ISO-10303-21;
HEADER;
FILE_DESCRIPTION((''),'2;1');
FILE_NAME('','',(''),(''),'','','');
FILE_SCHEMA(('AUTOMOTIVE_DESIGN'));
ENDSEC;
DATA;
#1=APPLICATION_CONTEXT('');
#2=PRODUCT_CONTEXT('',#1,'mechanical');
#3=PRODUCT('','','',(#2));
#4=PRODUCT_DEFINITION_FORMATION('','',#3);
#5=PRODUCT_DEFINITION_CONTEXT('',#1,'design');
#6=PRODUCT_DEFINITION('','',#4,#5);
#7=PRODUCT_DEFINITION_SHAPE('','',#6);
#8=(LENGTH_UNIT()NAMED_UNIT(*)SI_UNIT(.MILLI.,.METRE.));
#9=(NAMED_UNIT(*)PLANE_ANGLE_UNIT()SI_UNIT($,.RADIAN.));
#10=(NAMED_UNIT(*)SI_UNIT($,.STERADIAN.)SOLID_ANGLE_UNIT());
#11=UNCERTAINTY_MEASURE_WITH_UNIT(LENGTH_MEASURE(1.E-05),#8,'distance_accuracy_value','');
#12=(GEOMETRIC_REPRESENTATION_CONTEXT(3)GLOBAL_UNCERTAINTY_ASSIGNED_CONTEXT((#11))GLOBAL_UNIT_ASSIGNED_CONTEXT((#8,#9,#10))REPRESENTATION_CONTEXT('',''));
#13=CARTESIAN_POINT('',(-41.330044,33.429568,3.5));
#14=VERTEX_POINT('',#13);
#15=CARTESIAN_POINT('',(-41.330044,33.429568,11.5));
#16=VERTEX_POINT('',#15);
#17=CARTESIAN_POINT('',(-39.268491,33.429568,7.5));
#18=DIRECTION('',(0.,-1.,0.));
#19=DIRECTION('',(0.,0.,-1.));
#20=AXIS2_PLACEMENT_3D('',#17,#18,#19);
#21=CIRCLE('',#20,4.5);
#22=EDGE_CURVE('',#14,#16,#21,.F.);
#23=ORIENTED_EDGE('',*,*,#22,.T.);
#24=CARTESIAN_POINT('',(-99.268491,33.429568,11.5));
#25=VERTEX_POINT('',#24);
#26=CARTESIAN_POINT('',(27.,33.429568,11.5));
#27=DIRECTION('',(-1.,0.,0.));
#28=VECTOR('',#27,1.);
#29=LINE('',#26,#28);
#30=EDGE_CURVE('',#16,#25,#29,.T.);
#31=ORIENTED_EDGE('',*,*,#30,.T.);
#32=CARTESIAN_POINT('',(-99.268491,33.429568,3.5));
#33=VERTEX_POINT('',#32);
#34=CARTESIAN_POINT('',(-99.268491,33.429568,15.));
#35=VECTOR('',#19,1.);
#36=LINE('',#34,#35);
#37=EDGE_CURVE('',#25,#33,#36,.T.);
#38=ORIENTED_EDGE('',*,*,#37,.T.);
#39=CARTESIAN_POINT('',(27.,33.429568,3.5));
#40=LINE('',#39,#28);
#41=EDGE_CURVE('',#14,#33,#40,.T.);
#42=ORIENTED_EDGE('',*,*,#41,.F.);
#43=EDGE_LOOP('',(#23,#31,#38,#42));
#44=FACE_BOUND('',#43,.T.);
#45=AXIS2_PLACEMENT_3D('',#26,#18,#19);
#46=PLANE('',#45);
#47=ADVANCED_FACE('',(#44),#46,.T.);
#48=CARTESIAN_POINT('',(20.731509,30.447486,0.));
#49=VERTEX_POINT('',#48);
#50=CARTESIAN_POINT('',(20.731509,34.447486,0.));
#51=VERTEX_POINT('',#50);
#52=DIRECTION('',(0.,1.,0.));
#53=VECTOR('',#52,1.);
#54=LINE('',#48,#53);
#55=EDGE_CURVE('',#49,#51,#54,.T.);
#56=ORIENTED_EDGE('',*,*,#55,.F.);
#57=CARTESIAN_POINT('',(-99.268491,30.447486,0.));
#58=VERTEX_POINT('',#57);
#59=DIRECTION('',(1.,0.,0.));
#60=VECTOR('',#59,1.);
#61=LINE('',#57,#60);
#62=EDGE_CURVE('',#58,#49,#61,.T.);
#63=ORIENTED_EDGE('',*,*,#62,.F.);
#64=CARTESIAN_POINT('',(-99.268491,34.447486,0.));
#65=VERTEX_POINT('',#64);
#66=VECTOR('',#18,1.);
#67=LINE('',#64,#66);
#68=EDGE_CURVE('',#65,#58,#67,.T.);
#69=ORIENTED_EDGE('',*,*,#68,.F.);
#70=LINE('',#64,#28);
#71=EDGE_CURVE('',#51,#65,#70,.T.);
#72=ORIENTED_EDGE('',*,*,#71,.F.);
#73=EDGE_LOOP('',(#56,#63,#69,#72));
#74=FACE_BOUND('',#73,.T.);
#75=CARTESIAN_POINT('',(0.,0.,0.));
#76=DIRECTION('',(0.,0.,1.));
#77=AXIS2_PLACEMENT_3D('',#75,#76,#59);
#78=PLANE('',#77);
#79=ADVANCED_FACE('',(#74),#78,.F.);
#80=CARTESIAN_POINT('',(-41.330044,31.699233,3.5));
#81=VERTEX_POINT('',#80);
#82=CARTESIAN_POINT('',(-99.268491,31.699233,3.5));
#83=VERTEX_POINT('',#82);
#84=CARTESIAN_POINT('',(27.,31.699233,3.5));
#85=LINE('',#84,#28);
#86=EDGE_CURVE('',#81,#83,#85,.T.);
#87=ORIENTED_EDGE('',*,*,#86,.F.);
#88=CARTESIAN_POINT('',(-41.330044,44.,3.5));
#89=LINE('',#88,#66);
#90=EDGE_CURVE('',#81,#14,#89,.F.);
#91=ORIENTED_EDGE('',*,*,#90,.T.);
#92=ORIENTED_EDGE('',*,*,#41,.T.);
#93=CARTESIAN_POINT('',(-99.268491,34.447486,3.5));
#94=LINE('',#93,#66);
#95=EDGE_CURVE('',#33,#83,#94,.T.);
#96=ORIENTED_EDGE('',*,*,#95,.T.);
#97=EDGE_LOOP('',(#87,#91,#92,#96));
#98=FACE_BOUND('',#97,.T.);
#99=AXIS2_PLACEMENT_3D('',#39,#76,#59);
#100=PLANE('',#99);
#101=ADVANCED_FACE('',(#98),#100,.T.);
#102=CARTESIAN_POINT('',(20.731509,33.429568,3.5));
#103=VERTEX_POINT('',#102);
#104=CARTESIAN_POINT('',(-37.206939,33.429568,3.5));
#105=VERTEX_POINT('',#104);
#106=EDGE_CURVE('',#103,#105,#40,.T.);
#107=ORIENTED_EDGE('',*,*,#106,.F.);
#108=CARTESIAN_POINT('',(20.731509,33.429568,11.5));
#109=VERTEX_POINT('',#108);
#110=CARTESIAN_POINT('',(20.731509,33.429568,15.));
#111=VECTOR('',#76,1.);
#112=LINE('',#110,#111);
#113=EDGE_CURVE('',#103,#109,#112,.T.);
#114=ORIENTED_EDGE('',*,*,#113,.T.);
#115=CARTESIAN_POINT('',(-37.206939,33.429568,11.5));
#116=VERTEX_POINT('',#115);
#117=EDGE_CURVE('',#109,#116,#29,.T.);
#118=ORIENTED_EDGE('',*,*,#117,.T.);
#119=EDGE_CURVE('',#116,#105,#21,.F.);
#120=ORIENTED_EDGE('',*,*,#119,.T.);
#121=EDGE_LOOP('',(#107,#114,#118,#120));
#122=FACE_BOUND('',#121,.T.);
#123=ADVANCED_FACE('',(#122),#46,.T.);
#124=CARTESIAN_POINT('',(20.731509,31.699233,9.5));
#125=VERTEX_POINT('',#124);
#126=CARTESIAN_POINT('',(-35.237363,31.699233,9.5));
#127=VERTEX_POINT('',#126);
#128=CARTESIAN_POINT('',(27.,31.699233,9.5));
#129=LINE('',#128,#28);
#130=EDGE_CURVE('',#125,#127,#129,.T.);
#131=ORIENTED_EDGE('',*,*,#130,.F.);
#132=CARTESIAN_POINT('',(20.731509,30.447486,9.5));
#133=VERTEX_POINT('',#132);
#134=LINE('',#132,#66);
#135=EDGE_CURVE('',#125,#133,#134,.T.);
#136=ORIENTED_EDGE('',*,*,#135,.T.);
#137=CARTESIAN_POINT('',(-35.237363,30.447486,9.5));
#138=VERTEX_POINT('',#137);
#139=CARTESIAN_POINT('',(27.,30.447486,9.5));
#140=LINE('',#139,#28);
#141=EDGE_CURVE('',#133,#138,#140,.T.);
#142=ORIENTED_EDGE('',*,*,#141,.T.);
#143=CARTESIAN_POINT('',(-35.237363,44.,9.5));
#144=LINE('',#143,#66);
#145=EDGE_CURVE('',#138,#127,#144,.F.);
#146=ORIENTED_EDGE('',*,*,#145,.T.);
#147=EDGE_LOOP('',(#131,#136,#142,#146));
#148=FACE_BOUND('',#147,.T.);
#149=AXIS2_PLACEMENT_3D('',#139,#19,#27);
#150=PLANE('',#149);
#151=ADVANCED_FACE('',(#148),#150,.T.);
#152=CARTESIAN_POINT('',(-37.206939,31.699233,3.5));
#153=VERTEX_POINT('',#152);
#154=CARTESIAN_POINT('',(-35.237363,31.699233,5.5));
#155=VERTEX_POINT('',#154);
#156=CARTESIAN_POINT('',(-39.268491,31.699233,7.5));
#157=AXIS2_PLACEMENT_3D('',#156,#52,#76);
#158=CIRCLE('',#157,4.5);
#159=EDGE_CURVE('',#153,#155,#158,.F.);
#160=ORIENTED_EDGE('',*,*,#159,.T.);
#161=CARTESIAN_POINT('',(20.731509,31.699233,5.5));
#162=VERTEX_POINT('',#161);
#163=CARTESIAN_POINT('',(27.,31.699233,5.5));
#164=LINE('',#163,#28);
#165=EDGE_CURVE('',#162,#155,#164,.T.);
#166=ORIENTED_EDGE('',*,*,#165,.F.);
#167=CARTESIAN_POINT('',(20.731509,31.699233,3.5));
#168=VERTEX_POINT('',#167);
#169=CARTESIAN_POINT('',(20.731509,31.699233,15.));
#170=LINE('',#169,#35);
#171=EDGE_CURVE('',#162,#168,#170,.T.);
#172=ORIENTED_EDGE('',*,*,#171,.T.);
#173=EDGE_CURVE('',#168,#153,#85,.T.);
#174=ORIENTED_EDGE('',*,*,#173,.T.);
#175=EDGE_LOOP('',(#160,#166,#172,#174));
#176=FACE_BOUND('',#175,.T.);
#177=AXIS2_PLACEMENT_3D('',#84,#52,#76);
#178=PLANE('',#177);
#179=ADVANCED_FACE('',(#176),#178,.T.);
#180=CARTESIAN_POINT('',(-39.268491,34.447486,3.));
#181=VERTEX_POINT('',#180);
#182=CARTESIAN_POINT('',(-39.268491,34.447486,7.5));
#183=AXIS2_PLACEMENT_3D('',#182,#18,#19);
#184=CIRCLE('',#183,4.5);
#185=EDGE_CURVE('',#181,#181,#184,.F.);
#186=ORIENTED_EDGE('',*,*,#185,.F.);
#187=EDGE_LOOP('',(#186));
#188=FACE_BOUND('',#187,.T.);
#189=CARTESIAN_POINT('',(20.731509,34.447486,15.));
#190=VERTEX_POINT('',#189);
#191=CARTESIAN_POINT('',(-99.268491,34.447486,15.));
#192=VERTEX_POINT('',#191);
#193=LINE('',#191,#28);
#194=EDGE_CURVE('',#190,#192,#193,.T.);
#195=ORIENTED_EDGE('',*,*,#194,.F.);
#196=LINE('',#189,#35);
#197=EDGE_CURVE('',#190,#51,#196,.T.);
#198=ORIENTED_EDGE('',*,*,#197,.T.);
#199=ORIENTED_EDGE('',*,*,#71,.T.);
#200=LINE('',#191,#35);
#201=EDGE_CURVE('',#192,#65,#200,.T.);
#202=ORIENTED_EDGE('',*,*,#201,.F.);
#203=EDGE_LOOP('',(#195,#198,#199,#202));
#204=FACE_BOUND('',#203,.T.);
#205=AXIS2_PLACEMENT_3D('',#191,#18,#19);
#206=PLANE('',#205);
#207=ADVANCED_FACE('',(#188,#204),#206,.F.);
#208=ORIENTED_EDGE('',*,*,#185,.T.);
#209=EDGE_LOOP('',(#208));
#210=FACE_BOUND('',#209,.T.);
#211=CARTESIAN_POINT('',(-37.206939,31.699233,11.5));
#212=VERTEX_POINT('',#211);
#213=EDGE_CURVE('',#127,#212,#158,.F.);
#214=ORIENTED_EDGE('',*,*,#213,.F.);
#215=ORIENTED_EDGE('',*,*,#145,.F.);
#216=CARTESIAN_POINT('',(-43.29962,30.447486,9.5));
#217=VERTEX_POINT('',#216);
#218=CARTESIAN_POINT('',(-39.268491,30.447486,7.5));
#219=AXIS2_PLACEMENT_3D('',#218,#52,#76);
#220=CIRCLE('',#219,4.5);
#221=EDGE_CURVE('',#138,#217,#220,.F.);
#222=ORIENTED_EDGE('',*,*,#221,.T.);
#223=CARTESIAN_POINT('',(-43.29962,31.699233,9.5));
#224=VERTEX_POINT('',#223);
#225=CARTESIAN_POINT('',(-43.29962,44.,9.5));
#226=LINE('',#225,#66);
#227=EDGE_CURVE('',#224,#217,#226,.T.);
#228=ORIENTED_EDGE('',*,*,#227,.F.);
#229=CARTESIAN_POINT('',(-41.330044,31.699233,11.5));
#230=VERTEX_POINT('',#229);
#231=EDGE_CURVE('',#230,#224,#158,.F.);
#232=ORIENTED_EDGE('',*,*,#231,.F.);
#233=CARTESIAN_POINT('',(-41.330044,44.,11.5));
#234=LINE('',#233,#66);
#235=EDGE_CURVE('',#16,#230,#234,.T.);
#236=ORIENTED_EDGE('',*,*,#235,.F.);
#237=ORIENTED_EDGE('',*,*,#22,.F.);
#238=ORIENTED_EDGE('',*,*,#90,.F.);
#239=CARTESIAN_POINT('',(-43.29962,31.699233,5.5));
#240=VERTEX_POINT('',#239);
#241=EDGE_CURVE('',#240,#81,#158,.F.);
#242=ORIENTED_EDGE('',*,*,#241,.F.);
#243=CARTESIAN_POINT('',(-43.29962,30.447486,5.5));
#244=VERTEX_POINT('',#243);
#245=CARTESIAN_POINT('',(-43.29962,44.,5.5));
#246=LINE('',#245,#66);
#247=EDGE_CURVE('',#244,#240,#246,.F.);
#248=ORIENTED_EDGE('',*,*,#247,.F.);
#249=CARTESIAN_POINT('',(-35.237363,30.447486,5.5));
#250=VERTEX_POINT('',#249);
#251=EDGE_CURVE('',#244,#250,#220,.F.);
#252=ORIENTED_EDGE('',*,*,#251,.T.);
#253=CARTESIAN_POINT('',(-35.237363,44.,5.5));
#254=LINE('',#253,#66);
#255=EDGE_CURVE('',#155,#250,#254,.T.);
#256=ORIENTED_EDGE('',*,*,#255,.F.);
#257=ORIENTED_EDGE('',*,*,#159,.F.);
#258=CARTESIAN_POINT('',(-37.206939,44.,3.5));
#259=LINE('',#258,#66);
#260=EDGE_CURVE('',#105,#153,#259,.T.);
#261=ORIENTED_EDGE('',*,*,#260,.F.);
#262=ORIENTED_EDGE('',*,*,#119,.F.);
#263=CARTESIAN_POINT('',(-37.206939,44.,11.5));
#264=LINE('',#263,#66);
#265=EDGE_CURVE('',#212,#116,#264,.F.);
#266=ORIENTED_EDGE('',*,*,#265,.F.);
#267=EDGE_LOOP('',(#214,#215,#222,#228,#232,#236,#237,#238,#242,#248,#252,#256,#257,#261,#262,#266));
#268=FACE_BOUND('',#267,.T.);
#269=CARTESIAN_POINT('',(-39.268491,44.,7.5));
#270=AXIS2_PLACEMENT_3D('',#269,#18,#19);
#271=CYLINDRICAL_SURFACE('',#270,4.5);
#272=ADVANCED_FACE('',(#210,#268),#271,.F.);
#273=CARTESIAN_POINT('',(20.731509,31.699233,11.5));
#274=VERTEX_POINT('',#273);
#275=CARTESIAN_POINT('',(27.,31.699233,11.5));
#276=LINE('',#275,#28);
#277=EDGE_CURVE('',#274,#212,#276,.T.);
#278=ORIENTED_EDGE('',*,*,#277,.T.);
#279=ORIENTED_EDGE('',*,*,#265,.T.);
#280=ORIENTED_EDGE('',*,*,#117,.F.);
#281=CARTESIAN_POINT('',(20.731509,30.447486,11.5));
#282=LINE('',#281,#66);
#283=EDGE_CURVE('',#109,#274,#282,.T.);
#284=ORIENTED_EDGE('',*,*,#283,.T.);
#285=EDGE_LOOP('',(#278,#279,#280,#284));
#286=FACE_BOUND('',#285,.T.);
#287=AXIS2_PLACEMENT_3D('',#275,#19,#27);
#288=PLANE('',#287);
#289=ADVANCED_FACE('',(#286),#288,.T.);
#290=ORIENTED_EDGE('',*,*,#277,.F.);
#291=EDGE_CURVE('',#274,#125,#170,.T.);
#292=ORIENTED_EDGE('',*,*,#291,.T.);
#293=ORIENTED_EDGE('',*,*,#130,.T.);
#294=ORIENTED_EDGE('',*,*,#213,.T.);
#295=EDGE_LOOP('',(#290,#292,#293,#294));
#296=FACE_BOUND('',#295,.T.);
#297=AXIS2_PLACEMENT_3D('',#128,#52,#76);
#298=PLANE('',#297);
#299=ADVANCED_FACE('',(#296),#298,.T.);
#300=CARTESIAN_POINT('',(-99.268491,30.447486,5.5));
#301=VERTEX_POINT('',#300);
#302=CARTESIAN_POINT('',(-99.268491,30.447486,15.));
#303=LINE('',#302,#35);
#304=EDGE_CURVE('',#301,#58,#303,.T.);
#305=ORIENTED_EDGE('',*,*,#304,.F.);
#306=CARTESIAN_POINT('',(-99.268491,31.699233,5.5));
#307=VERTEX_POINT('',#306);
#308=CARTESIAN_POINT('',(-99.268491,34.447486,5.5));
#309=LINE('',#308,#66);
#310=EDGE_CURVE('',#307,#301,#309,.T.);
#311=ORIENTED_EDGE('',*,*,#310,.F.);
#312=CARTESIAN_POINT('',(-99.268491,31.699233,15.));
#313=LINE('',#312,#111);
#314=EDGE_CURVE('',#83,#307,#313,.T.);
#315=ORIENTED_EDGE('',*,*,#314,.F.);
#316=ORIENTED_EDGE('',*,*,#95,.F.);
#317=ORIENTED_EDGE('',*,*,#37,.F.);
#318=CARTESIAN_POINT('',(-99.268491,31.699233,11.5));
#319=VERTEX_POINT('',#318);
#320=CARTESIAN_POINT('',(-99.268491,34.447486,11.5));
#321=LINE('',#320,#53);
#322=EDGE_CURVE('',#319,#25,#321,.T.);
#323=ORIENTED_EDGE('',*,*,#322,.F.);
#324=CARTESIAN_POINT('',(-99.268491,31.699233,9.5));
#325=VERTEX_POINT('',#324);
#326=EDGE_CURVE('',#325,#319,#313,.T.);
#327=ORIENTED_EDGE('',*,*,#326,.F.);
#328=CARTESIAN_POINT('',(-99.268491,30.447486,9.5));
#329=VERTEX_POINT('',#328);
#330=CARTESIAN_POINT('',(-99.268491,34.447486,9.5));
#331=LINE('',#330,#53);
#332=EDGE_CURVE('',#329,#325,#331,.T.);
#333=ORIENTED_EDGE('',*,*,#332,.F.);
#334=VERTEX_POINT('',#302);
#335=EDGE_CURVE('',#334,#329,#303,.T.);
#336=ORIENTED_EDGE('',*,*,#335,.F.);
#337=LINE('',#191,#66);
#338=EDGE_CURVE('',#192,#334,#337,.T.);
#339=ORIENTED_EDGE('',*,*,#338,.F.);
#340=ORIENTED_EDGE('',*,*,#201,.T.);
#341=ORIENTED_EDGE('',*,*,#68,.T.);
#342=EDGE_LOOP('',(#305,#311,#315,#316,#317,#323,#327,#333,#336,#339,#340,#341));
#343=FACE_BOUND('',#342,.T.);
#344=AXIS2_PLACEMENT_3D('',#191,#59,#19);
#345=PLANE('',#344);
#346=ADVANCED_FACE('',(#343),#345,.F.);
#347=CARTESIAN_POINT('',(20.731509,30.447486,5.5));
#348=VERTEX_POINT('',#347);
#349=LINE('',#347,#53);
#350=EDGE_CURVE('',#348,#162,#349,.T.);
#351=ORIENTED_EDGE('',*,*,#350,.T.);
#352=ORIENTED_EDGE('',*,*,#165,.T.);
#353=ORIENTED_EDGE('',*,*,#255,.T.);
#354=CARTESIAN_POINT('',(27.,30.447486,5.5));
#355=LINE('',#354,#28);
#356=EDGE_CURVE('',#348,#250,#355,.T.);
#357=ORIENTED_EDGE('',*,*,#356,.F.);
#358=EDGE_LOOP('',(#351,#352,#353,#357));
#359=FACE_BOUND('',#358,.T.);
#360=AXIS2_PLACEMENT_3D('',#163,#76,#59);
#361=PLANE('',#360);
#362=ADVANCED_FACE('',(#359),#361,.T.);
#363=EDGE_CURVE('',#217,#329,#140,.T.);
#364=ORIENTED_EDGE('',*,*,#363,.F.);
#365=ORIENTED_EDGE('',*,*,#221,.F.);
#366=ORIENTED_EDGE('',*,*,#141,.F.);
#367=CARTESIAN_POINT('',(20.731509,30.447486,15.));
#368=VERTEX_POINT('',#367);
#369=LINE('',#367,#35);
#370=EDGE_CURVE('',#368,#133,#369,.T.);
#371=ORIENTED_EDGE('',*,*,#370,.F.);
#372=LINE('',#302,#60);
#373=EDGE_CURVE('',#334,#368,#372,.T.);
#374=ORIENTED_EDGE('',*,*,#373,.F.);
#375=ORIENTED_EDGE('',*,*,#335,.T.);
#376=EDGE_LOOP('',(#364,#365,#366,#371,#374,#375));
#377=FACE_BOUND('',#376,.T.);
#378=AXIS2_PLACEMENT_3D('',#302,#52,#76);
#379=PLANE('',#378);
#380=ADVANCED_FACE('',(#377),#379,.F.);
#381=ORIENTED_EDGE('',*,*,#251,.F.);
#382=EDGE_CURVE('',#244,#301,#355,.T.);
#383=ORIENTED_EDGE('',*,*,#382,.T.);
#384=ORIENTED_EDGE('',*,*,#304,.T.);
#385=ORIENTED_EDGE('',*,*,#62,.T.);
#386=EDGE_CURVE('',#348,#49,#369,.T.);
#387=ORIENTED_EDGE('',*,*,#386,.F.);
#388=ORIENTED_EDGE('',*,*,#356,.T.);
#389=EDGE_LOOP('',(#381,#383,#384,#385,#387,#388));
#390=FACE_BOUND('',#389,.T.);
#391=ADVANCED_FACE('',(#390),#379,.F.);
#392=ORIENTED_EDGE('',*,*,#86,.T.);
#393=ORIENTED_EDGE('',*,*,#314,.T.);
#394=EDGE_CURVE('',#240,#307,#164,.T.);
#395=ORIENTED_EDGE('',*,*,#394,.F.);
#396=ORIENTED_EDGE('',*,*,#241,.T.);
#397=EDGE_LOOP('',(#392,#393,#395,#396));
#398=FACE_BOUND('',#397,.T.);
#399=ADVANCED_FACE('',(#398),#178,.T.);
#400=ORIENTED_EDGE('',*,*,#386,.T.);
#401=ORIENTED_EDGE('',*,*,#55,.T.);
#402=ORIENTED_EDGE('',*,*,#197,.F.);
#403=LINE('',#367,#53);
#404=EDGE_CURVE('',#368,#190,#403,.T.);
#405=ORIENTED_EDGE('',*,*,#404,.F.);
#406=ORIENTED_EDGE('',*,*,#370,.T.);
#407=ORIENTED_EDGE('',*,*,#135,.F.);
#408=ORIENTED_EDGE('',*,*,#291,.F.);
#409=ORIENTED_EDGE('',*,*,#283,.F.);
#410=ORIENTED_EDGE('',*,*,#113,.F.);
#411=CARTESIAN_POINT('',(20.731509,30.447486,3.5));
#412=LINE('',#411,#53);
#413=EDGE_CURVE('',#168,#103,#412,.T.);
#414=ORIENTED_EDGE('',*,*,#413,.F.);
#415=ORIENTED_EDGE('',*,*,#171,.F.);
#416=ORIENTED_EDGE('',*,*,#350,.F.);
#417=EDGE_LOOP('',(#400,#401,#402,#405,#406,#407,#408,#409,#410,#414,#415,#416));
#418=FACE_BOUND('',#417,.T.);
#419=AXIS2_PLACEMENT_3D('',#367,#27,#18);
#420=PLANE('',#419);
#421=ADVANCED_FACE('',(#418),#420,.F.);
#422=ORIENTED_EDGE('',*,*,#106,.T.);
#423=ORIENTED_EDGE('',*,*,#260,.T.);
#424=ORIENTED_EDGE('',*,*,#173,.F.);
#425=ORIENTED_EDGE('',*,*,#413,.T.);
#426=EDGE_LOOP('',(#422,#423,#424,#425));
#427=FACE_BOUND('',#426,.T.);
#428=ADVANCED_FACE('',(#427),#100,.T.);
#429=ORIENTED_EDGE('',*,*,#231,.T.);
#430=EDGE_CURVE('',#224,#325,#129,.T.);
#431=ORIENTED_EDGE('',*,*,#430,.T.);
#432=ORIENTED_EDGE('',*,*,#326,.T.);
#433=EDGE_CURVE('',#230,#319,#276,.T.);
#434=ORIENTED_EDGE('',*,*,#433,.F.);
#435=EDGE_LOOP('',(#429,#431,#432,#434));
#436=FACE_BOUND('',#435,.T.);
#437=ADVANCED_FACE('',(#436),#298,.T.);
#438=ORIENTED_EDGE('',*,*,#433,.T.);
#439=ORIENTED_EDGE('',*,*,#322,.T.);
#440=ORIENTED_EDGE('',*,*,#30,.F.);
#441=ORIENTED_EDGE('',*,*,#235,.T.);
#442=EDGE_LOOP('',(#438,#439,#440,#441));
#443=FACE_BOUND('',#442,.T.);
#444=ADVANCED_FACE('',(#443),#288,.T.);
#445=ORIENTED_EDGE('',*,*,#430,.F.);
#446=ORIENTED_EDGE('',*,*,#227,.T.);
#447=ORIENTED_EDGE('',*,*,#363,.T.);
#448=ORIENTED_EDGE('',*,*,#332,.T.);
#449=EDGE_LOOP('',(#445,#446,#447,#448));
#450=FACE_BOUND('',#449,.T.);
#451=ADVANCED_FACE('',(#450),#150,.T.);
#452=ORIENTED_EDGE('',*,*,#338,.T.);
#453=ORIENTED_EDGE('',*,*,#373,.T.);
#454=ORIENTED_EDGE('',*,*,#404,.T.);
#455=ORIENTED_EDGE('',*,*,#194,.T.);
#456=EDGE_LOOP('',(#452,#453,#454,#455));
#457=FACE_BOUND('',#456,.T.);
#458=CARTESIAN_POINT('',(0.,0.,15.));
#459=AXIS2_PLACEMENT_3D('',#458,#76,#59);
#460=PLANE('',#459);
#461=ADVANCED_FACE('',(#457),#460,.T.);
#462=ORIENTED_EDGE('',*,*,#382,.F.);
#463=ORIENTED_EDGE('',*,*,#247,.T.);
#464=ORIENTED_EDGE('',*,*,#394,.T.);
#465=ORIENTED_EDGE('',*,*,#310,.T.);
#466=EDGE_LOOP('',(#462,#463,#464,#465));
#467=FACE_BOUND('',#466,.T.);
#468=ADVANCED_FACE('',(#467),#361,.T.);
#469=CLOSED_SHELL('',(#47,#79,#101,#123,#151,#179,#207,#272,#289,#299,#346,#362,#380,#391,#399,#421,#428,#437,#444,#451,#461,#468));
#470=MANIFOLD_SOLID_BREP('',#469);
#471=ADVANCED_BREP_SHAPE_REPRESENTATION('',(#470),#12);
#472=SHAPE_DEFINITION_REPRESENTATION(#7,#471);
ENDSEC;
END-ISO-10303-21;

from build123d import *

# Parameters (mm, degrees)
SKETCH1_W               = 120
SKETCH1_H               = 4
BOSS_EXTRUDE1_DEPTH     = 15
CUT_EXTRUDE1_DEPTH      = 27
CUT_EXTRUDE1_DEPTH_BACK = 130
SKETCH4_R               = 4.5
CUT_EXTRUDE2_DEPTH      = 44


with BuildPart() as part:
    # Sketch1 → Boss-Extrude1 (new body)
    with BuildSketch(Plane.XY):
        with Locations((-39.26849149, 32.447485816)):
            Rectangle(SKETCH1_W, SKETCH1_H)
    extrude(amount=BOSS_EXTRUDE1_DEPTH)

    # Sketch3 → Cut-Extrude1 (cut, two sides)
    with BuildSketch(Plane(origin=(0, 0, 0), x_dir=(0, 0, -1), z_dir=(1, 0, 0))) as cut_extrude1_sk:
        Polygon((-9.5, 30.447485816), (-5.5, 30.447485816), (-5.5, 31.699233238), (-3.5, 31.699233238), (-3.5, 33.429568038), (-11.5, 33.429568038), (-11.5, 31.699233238), (-9.5, 31.699233238), align=None)
    extrude(amount=CUT_EXTRUDE1_DEPTH, mode=Mode.SUBTRACT)
    extrude(cut_extrude1_sk.sketch, amount=-CUT_EXTRUDE1_DEPTH_BACK, mode=Mode.SUBTRACT)

    # Sketch4 → Cut-Extrude2 (cut)
    with BuildSketch(Plane(origin=(0, 0, 0), x_dir=(1, 0, 0), z_dir=(0, 1, 0))):
        with Locations((-39.26849149, -7.5)):
            Circle(SKETCH4_R)
    extrude(amount=CUT_EXTRUDE2_DEPTH, mode=Mode.SUBTRACT)


solid = part.part
